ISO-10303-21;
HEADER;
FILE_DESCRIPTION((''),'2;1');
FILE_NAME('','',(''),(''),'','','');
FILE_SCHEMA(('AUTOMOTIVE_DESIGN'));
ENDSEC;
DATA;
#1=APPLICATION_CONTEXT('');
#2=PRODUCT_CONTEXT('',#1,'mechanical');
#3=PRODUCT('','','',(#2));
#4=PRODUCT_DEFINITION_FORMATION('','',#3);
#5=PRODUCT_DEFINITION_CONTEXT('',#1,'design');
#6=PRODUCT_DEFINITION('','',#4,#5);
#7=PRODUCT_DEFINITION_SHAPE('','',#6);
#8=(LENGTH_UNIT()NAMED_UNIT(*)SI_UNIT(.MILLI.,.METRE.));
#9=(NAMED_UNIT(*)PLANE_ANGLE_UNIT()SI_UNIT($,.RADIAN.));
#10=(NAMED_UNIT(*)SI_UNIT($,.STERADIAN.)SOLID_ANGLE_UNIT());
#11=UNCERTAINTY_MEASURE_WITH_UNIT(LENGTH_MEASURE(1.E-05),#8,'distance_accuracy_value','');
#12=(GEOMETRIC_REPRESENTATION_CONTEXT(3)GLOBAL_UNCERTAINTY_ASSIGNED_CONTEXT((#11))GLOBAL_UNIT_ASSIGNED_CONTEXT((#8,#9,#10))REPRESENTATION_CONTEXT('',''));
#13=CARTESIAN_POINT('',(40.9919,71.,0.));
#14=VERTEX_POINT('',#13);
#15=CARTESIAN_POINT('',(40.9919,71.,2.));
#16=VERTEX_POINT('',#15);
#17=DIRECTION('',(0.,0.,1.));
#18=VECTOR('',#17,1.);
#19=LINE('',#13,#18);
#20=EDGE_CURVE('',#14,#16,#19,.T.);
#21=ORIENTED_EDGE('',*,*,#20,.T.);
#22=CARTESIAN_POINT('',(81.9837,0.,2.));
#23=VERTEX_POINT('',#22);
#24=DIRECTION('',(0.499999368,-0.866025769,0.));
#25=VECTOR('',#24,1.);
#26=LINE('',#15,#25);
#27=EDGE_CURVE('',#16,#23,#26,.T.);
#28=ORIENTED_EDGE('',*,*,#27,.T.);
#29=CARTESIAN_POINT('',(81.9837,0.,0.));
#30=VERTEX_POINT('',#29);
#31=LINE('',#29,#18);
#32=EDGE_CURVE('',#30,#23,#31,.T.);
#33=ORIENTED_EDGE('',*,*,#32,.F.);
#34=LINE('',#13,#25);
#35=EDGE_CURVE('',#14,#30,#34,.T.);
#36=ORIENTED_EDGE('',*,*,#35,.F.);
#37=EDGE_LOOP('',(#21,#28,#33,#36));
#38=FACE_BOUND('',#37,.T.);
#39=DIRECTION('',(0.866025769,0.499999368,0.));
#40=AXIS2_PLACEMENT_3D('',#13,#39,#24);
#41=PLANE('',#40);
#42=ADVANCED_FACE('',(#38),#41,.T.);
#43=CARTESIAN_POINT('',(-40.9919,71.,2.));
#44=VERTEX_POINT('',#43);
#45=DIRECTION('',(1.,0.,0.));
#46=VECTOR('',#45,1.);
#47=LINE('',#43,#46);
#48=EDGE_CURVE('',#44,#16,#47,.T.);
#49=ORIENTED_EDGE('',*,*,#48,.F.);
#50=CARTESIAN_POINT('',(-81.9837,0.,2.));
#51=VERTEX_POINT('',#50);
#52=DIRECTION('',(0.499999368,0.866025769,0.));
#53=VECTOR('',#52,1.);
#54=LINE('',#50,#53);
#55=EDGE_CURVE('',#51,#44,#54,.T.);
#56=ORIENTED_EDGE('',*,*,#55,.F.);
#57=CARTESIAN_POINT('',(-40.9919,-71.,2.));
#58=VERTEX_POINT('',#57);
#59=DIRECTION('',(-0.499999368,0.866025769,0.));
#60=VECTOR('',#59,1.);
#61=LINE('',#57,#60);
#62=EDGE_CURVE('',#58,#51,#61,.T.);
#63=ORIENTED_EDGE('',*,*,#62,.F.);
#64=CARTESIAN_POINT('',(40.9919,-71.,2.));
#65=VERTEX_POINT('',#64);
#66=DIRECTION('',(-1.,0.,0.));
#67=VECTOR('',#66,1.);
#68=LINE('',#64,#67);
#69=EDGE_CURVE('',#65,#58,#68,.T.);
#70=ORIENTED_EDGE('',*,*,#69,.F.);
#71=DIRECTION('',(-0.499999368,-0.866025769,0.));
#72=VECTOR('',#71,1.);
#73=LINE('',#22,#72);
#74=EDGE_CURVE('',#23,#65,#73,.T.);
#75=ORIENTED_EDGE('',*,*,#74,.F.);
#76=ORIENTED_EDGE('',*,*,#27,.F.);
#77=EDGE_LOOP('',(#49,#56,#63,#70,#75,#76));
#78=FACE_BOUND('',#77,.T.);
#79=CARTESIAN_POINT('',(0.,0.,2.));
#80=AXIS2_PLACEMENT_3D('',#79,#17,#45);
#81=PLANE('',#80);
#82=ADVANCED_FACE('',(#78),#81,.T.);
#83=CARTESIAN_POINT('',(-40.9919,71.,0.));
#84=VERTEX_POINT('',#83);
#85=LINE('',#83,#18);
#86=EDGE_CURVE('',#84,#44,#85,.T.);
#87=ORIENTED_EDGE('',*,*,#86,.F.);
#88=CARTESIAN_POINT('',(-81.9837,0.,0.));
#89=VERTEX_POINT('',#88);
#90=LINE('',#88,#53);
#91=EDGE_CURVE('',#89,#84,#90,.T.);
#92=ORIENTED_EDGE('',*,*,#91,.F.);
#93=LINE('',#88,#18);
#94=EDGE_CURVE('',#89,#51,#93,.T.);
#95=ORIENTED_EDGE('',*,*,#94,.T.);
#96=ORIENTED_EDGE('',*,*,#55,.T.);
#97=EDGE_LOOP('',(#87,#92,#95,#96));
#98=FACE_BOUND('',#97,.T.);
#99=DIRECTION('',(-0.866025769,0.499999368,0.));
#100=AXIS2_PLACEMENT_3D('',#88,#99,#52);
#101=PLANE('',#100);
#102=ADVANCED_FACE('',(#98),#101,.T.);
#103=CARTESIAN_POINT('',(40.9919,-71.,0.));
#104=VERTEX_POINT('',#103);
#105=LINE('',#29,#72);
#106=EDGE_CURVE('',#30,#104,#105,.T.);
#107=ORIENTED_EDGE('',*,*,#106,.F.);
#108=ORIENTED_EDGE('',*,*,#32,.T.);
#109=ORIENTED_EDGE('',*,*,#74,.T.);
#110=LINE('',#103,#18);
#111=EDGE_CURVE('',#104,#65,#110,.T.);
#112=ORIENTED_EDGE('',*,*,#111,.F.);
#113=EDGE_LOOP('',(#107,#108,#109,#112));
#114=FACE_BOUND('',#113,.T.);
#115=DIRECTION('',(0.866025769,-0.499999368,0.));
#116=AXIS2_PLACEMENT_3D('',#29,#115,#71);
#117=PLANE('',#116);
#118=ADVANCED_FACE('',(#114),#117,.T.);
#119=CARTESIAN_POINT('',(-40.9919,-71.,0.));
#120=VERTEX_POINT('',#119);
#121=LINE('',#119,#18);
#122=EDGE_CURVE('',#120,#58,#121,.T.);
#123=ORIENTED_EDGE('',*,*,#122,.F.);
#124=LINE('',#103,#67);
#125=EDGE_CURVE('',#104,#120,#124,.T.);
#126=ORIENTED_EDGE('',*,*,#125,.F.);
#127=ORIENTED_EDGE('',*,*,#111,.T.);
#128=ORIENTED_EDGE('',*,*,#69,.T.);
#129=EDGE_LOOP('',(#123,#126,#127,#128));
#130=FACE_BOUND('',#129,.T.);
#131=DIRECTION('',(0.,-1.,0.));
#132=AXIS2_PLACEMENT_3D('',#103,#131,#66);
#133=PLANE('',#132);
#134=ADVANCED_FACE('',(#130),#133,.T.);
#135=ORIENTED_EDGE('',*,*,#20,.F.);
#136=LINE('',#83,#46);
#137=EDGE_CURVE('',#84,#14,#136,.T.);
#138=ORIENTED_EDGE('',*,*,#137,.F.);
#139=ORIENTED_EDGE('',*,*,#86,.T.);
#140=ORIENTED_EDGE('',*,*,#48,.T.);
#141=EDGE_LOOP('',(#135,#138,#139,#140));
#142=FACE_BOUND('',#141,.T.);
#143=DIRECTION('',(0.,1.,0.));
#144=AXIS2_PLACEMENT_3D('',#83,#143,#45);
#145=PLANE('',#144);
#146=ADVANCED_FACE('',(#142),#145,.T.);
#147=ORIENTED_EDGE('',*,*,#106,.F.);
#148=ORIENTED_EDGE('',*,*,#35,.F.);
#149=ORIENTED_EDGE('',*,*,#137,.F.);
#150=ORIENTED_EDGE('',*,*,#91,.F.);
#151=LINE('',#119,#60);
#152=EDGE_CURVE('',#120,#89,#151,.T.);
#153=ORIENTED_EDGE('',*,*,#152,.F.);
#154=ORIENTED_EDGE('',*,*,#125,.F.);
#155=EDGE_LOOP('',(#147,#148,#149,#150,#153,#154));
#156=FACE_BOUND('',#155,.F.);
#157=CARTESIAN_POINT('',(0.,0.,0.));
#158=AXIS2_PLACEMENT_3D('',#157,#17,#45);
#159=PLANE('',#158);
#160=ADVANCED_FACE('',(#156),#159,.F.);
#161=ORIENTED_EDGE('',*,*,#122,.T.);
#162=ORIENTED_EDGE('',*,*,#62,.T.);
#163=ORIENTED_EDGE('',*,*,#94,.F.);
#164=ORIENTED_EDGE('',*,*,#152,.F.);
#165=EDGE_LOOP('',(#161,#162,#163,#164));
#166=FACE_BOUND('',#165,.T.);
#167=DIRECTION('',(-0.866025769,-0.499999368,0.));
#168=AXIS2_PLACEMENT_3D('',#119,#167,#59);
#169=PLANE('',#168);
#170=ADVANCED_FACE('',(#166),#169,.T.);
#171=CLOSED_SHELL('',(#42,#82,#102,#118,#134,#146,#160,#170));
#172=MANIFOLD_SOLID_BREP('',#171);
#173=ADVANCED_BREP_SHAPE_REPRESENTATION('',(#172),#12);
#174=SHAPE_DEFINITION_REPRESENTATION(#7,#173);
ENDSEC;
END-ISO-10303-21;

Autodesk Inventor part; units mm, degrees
ref_plane "YZ Plane" through (0, 0, 0) normal (1, 0, 0) x (0, 1, 0)
ref_plane "XZ Plane" through (0, 0, 0) normal (0, 1, 0) x (-1, 0, 0)
ref_plane "XY Plane" through (0, 0, 0) normal (0, 0, 1) x (1, 0, 0)
sketch "Sketch1" plane through (0, 0, 0) normal (0, 0, 1) x (1, 0, 0)
  line L0 (-40.9919, 71) -> (40.9919, 71)
  line L1 (40.9919, 71) -> (81.9837, 0)
  line L2 (81.9837, 0) -> (40.9919, -71)
  line L3 (40.9919, -71) -> (-40.9919, -71)
  line L4 (-40.9919, -71) -> (-81.9837, 0)
  line L5 (-81.9837, 0) -> (-40.9919, 71)
  point P0 (0, 0)
  point P1 (0, 0)
  dimension "d0" = 142
extrude "Extrusion1" add sketch "Sketch1" along normal blind 2
properties part number "Frosted Top v1"
